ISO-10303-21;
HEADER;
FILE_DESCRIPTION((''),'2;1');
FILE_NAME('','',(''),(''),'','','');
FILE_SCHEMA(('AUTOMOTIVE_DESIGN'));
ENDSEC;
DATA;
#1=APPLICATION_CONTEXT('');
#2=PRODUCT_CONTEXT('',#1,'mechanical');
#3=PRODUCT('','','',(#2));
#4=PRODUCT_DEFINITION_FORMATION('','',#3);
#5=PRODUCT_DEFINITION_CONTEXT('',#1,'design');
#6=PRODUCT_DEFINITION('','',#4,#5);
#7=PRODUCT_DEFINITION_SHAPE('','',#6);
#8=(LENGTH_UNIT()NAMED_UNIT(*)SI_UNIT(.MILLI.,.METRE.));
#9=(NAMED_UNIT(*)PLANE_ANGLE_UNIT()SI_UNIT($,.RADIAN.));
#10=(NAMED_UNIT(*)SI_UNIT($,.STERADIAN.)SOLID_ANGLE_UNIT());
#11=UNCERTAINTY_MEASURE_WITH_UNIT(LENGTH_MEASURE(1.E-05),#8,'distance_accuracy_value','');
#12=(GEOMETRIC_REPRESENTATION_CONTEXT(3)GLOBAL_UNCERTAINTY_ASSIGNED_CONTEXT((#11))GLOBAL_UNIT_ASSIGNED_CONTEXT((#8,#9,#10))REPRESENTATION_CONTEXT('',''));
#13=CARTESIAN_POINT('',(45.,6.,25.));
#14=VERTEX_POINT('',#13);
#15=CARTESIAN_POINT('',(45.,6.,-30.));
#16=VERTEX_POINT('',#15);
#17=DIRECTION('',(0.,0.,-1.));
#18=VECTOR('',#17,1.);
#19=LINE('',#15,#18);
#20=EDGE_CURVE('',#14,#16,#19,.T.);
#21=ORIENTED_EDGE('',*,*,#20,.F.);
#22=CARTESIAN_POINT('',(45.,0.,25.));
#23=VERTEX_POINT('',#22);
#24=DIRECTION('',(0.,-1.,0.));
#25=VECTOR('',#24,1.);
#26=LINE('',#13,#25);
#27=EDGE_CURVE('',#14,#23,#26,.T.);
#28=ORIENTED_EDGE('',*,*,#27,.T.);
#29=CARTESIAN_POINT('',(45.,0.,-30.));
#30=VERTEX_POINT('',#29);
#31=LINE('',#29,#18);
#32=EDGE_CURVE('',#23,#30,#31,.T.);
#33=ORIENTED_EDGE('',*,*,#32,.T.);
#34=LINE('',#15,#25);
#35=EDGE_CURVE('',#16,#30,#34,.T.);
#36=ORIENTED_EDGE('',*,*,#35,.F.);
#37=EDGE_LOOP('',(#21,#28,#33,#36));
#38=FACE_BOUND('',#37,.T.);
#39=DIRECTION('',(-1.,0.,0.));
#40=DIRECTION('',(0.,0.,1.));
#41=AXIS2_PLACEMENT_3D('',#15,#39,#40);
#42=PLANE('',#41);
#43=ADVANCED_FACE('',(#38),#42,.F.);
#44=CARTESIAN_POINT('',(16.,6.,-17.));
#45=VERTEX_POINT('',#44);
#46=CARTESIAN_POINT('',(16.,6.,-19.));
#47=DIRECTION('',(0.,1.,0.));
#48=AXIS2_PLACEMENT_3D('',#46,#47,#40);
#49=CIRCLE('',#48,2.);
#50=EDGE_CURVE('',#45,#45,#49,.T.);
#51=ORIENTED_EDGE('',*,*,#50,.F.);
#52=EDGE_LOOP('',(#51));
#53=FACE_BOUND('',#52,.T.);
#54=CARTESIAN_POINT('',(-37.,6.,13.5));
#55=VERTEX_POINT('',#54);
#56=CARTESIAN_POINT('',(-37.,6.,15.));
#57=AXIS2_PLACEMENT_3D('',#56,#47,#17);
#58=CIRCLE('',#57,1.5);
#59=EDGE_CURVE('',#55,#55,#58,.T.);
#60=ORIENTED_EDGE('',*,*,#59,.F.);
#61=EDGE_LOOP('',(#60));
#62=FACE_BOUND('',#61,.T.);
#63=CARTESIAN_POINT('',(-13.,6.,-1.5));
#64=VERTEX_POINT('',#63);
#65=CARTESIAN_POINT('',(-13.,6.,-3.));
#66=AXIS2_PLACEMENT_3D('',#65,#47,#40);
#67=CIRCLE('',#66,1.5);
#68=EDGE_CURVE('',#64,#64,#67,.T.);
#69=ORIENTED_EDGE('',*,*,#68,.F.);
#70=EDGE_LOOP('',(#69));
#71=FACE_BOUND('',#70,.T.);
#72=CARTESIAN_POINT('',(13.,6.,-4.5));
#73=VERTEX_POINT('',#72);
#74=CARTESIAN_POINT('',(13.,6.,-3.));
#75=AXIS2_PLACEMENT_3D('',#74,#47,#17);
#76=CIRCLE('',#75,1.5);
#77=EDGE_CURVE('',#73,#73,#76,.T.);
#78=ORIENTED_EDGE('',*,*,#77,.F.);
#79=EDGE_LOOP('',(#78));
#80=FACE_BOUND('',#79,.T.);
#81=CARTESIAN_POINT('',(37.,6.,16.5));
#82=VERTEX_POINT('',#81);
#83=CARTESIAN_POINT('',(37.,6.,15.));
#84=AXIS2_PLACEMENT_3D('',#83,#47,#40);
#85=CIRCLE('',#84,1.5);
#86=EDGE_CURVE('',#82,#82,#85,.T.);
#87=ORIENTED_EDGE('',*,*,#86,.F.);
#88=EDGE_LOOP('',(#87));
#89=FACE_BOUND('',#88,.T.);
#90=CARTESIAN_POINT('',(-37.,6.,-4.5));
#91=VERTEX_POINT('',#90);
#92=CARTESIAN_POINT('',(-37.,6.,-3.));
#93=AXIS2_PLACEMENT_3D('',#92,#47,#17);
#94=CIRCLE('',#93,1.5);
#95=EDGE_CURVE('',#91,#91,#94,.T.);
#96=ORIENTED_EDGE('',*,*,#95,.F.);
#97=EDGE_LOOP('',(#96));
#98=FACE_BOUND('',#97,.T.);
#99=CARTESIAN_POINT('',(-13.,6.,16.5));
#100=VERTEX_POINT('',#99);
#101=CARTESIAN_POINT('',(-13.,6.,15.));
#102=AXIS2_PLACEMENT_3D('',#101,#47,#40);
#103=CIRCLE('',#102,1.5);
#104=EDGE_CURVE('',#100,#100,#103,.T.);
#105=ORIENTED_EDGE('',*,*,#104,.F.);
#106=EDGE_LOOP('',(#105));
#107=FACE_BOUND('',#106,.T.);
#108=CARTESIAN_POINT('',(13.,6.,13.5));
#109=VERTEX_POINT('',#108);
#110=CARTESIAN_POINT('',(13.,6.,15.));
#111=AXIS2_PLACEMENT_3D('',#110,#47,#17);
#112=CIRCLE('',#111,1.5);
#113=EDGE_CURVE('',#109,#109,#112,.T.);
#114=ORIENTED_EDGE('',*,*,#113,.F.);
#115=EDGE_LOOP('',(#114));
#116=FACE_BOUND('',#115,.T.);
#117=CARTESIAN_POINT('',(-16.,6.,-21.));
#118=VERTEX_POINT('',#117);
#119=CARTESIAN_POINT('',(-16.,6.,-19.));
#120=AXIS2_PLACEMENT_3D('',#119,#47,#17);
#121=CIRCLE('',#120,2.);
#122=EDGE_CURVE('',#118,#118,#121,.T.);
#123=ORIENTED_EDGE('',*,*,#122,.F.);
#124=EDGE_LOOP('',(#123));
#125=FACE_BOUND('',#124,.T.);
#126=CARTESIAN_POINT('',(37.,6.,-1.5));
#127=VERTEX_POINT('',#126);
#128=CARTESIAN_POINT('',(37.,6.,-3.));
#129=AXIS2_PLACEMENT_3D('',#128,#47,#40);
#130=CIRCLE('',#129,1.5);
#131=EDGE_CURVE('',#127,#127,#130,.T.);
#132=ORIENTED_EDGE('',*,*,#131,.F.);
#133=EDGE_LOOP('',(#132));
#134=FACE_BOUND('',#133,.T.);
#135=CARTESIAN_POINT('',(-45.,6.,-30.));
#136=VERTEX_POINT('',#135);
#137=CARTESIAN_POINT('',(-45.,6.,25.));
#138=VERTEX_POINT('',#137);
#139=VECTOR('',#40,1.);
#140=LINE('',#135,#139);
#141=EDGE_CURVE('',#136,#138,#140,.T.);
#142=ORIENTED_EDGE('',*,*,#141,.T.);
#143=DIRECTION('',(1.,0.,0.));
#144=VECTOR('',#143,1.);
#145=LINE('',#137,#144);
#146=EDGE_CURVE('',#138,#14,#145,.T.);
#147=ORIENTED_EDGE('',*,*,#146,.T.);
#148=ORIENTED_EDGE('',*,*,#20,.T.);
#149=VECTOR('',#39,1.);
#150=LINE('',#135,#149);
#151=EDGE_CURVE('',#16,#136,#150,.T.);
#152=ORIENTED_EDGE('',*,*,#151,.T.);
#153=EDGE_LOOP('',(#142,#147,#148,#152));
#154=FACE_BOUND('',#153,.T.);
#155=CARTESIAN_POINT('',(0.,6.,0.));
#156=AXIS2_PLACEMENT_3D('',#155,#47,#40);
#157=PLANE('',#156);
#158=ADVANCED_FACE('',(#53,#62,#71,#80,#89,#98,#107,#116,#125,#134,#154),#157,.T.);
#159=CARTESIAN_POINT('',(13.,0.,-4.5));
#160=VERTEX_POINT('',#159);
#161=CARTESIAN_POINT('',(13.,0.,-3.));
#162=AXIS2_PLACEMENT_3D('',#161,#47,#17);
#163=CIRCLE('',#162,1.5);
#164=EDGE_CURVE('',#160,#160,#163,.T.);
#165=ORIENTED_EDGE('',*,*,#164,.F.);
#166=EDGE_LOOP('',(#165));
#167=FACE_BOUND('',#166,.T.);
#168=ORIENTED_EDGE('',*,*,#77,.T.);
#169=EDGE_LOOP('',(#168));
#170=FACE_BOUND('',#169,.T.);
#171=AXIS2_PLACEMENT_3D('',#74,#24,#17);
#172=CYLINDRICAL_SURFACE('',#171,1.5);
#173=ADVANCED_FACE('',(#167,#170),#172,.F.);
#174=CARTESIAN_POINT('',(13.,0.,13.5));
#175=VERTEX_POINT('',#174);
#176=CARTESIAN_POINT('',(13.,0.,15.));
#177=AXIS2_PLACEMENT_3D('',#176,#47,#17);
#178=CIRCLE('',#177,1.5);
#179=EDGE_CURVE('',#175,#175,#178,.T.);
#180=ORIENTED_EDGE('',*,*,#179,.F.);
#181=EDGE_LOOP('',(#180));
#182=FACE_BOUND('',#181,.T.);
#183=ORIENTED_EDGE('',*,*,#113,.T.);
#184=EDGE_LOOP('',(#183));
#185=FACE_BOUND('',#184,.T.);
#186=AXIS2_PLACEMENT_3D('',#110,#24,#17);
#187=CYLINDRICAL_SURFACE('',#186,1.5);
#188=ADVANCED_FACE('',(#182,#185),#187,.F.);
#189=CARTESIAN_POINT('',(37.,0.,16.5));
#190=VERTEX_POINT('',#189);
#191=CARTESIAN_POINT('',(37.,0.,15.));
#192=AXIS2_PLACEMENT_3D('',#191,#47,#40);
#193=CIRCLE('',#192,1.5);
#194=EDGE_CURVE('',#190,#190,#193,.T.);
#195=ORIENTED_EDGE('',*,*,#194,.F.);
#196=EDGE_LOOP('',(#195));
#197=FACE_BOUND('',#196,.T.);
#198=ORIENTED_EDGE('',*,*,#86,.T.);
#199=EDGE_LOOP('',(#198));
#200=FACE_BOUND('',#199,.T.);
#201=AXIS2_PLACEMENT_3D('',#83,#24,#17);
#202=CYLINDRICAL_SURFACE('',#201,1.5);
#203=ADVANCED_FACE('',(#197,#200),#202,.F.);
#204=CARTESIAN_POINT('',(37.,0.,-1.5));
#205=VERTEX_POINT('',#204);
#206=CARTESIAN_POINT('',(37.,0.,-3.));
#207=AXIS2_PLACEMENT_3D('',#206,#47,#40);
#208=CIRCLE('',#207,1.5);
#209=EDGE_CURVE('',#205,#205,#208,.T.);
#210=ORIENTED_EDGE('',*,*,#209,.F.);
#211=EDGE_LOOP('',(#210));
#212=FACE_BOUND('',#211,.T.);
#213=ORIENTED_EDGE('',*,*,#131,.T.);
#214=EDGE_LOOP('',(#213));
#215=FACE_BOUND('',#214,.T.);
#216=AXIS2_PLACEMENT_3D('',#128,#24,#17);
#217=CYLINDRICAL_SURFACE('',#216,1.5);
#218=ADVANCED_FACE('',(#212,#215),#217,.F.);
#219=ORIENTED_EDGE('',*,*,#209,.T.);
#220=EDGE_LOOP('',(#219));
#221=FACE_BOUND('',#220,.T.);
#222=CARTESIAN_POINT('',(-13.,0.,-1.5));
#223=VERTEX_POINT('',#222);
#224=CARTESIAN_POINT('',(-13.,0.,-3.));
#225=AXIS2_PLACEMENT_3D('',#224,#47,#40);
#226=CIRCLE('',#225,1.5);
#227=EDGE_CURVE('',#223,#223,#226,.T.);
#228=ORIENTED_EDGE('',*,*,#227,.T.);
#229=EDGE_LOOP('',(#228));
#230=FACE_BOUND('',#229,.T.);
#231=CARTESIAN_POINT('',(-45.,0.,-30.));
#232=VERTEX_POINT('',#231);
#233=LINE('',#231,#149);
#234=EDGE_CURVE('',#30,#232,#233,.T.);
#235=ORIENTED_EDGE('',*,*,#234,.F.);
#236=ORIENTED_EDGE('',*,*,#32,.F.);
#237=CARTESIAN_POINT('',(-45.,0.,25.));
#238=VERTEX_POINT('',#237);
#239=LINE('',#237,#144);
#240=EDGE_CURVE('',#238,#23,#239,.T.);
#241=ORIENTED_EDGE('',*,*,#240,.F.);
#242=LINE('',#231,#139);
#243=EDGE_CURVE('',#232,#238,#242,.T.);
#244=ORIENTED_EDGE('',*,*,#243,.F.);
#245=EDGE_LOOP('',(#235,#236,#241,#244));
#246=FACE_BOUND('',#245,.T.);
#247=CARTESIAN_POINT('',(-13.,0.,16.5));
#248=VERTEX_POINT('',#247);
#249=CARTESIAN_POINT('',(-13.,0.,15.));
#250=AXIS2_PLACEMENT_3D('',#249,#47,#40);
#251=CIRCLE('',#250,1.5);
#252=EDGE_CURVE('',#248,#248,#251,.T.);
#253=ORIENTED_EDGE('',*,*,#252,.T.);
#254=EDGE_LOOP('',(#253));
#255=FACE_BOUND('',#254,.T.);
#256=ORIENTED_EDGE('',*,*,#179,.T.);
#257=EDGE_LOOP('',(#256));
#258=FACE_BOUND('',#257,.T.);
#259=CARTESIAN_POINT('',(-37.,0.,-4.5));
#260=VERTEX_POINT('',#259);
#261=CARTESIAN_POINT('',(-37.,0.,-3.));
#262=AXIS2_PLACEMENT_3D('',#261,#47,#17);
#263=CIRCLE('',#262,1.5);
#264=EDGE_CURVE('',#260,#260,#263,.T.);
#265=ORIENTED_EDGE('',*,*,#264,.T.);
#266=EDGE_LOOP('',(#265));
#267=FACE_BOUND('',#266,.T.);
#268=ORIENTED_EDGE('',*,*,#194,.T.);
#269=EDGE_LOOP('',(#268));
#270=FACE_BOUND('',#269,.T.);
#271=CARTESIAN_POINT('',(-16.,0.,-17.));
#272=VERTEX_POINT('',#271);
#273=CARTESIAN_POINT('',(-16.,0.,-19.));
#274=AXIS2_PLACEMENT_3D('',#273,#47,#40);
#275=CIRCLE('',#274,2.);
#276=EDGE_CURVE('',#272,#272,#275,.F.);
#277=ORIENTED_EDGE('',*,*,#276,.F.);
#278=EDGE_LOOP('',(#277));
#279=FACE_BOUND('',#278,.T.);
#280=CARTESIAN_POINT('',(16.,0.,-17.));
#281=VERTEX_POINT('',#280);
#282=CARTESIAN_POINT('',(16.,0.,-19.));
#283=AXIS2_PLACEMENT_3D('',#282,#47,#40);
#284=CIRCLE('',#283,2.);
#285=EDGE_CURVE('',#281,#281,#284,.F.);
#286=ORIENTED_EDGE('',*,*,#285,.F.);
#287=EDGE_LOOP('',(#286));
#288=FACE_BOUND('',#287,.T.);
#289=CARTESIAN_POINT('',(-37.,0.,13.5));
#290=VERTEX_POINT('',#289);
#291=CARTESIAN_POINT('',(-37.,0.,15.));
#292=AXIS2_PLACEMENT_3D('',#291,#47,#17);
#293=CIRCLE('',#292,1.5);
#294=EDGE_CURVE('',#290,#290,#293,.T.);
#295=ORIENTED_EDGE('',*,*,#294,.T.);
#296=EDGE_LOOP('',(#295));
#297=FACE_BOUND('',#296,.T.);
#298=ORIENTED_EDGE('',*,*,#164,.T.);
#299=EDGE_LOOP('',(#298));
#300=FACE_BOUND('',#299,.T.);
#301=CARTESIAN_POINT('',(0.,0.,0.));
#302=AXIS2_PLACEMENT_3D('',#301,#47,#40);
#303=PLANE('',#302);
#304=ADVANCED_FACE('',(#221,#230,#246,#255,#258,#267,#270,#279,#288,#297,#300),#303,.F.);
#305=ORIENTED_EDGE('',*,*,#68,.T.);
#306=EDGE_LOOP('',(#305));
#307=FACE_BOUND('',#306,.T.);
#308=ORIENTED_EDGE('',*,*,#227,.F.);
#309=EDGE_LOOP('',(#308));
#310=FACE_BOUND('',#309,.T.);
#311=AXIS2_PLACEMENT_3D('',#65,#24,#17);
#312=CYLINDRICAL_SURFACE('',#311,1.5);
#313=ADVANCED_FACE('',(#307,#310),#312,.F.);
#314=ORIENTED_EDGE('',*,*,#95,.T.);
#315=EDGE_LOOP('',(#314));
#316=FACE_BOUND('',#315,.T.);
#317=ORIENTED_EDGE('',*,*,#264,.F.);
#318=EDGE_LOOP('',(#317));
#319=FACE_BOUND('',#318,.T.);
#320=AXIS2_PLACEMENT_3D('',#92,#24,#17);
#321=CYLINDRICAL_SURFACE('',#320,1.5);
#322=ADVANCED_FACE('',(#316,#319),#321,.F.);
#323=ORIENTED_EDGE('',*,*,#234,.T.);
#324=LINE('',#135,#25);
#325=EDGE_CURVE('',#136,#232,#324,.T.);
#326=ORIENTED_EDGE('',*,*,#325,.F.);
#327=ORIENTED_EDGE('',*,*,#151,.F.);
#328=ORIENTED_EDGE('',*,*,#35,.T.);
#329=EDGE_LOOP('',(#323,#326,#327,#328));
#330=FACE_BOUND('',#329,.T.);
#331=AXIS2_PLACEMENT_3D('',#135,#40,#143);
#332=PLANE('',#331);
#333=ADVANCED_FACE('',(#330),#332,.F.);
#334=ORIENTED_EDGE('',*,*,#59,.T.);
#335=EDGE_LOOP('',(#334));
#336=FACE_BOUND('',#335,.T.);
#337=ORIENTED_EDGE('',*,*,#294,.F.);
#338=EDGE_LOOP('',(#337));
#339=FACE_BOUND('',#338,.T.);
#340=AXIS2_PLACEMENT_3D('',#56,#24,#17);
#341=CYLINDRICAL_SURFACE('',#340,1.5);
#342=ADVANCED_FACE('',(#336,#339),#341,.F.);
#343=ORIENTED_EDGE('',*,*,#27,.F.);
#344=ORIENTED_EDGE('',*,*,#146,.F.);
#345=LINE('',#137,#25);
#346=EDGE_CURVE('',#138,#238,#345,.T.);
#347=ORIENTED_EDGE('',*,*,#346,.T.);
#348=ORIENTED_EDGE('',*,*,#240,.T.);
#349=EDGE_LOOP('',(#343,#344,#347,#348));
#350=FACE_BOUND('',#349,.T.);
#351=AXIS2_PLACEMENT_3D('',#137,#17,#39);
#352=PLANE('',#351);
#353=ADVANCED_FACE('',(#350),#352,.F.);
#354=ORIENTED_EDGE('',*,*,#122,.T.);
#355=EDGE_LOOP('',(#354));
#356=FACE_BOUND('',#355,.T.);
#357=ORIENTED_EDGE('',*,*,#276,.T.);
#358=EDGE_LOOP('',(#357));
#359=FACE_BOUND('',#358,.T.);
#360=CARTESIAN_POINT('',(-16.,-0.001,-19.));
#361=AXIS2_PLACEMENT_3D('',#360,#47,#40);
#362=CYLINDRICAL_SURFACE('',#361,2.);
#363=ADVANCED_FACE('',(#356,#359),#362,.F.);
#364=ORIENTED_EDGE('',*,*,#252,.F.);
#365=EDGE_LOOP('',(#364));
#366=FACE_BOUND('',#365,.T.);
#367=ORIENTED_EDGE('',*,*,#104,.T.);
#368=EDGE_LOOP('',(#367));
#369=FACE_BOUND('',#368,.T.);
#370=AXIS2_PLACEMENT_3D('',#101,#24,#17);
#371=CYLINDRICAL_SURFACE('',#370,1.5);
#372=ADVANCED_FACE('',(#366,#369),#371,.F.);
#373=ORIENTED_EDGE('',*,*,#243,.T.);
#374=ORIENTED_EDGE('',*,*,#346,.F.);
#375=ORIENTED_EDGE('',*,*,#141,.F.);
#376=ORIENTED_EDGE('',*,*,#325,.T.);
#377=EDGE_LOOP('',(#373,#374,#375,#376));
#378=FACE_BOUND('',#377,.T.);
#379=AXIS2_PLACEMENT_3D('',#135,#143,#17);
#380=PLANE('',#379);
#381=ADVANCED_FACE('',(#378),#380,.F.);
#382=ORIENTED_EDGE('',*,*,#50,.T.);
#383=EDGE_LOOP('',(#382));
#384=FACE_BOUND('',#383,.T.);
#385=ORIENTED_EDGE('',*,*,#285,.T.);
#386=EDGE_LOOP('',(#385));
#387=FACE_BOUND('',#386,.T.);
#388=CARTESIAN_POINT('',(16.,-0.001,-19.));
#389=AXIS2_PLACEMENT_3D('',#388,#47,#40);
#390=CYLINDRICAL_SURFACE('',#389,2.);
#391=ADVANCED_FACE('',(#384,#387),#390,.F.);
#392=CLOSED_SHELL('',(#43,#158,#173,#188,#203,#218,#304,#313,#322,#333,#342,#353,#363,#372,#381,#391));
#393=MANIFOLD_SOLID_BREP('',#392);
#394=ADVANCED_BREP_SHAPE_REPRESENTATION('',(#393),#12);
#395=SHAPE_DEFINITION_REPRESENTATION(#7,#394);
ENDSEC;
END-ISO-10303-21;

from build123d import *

# Parameters (mm, degrees)
SKETCH1_W           = 90
SKETCH1_H           = 55
SKETCH1_R           = 1.5
BOSS_EXTRUDE1_DEPTH = 6
CUT_EXTRUDE1_REACH  = 8
SKETCH2_R           = 2


with BuildPart() as part:
    # Sketch1 → Boss-Extrude1 (new body)
    with BuildSketch(Plane(origin=(0, 0, 0), x_dir=(1, 0, 0), z_dir=(0, 1, 0))):
        with Locations((0, 2.5)):
            Rectangle(SKETCH1_W, SKETCH1_H)
        with Locations((37, 3)):
            Circle(SKETCH1_R, mode=Mode.SUBTRACT)
        with Locations((13, 3)):
            Circle(SKETCH1_R, mode=Mode.SUBTRACT)
        with Locations((37, -15)):
            Circle(SKETCH1_R, mode=Mode.SUBTRACT)
        with Locations((13, -15)):
            Circle(SKETCH1_R, mode=Mode.SUBTRACT)
        with Locations((-37, -15)):
            Circle(SKETCH1_R, mode=Mode.SUBTRACT)
        with Locations((-37, 3)):
            Circle(SKETCH1_R, mode=Mode.SUBTRACT)
        with Locations((-13, -15)):
            Circle(SKETCH1_R, mode=Mode.SUBTRACT)
        with Locations((-13, 3)):
            Circle(SKETCH1_R, mode=Mode.SUBTRACT)
    extrude(amount=BOSS_EXTRUDE1_DEPTH)

    # Sketch2 → Cut-Extrude1 (cut, up to next)
    with BuildSketch(Plane(origin=(0, 6, 0), x_dir=(1, 0, 0), z_dir=(0, 1, 0)), mode=Mode.PRIVATE) as cut_extrude1_sk1:
        with Locations((16, 19)):
            Circle(SKETCH2_R)
    cut_extrude1_tool1 = extrude(cut_extrude1_sk1.sketch, amount=-CUT_EXTRUDE1_REACH, mode=Mode.PRIVATE) & part.part
    add(cut_extrude1_tool1.solids().sort_by_distance((16, 6, -19))[0], mode=Mode.SUBTRACT)
    # Sketch2 → Cut-Extrude1 (cut, up to next)
    with BuildSketch(Plane(origin=(0, 6, 0), x_dir=(1, 0, 0), z_dir=(0, 1, 0)), mode=Mode.PRIVATE) as cut_extrude1_sk2:
        with Locations((-16, 19)):
            Circle(SKETCH2_R)
    cut_extrude1_tool2 = extrude(cut_extrude1_sk2.sketch, amount=-CUT_EXTRUDE1_REACH, mode=Mode.PRIVATE) & part.part
    add(cut_extrude1_tool2.solids().sort_by_distance((-16, 6, -19))[0], mode=Mode.SUBTRACT)


solid = part.part
